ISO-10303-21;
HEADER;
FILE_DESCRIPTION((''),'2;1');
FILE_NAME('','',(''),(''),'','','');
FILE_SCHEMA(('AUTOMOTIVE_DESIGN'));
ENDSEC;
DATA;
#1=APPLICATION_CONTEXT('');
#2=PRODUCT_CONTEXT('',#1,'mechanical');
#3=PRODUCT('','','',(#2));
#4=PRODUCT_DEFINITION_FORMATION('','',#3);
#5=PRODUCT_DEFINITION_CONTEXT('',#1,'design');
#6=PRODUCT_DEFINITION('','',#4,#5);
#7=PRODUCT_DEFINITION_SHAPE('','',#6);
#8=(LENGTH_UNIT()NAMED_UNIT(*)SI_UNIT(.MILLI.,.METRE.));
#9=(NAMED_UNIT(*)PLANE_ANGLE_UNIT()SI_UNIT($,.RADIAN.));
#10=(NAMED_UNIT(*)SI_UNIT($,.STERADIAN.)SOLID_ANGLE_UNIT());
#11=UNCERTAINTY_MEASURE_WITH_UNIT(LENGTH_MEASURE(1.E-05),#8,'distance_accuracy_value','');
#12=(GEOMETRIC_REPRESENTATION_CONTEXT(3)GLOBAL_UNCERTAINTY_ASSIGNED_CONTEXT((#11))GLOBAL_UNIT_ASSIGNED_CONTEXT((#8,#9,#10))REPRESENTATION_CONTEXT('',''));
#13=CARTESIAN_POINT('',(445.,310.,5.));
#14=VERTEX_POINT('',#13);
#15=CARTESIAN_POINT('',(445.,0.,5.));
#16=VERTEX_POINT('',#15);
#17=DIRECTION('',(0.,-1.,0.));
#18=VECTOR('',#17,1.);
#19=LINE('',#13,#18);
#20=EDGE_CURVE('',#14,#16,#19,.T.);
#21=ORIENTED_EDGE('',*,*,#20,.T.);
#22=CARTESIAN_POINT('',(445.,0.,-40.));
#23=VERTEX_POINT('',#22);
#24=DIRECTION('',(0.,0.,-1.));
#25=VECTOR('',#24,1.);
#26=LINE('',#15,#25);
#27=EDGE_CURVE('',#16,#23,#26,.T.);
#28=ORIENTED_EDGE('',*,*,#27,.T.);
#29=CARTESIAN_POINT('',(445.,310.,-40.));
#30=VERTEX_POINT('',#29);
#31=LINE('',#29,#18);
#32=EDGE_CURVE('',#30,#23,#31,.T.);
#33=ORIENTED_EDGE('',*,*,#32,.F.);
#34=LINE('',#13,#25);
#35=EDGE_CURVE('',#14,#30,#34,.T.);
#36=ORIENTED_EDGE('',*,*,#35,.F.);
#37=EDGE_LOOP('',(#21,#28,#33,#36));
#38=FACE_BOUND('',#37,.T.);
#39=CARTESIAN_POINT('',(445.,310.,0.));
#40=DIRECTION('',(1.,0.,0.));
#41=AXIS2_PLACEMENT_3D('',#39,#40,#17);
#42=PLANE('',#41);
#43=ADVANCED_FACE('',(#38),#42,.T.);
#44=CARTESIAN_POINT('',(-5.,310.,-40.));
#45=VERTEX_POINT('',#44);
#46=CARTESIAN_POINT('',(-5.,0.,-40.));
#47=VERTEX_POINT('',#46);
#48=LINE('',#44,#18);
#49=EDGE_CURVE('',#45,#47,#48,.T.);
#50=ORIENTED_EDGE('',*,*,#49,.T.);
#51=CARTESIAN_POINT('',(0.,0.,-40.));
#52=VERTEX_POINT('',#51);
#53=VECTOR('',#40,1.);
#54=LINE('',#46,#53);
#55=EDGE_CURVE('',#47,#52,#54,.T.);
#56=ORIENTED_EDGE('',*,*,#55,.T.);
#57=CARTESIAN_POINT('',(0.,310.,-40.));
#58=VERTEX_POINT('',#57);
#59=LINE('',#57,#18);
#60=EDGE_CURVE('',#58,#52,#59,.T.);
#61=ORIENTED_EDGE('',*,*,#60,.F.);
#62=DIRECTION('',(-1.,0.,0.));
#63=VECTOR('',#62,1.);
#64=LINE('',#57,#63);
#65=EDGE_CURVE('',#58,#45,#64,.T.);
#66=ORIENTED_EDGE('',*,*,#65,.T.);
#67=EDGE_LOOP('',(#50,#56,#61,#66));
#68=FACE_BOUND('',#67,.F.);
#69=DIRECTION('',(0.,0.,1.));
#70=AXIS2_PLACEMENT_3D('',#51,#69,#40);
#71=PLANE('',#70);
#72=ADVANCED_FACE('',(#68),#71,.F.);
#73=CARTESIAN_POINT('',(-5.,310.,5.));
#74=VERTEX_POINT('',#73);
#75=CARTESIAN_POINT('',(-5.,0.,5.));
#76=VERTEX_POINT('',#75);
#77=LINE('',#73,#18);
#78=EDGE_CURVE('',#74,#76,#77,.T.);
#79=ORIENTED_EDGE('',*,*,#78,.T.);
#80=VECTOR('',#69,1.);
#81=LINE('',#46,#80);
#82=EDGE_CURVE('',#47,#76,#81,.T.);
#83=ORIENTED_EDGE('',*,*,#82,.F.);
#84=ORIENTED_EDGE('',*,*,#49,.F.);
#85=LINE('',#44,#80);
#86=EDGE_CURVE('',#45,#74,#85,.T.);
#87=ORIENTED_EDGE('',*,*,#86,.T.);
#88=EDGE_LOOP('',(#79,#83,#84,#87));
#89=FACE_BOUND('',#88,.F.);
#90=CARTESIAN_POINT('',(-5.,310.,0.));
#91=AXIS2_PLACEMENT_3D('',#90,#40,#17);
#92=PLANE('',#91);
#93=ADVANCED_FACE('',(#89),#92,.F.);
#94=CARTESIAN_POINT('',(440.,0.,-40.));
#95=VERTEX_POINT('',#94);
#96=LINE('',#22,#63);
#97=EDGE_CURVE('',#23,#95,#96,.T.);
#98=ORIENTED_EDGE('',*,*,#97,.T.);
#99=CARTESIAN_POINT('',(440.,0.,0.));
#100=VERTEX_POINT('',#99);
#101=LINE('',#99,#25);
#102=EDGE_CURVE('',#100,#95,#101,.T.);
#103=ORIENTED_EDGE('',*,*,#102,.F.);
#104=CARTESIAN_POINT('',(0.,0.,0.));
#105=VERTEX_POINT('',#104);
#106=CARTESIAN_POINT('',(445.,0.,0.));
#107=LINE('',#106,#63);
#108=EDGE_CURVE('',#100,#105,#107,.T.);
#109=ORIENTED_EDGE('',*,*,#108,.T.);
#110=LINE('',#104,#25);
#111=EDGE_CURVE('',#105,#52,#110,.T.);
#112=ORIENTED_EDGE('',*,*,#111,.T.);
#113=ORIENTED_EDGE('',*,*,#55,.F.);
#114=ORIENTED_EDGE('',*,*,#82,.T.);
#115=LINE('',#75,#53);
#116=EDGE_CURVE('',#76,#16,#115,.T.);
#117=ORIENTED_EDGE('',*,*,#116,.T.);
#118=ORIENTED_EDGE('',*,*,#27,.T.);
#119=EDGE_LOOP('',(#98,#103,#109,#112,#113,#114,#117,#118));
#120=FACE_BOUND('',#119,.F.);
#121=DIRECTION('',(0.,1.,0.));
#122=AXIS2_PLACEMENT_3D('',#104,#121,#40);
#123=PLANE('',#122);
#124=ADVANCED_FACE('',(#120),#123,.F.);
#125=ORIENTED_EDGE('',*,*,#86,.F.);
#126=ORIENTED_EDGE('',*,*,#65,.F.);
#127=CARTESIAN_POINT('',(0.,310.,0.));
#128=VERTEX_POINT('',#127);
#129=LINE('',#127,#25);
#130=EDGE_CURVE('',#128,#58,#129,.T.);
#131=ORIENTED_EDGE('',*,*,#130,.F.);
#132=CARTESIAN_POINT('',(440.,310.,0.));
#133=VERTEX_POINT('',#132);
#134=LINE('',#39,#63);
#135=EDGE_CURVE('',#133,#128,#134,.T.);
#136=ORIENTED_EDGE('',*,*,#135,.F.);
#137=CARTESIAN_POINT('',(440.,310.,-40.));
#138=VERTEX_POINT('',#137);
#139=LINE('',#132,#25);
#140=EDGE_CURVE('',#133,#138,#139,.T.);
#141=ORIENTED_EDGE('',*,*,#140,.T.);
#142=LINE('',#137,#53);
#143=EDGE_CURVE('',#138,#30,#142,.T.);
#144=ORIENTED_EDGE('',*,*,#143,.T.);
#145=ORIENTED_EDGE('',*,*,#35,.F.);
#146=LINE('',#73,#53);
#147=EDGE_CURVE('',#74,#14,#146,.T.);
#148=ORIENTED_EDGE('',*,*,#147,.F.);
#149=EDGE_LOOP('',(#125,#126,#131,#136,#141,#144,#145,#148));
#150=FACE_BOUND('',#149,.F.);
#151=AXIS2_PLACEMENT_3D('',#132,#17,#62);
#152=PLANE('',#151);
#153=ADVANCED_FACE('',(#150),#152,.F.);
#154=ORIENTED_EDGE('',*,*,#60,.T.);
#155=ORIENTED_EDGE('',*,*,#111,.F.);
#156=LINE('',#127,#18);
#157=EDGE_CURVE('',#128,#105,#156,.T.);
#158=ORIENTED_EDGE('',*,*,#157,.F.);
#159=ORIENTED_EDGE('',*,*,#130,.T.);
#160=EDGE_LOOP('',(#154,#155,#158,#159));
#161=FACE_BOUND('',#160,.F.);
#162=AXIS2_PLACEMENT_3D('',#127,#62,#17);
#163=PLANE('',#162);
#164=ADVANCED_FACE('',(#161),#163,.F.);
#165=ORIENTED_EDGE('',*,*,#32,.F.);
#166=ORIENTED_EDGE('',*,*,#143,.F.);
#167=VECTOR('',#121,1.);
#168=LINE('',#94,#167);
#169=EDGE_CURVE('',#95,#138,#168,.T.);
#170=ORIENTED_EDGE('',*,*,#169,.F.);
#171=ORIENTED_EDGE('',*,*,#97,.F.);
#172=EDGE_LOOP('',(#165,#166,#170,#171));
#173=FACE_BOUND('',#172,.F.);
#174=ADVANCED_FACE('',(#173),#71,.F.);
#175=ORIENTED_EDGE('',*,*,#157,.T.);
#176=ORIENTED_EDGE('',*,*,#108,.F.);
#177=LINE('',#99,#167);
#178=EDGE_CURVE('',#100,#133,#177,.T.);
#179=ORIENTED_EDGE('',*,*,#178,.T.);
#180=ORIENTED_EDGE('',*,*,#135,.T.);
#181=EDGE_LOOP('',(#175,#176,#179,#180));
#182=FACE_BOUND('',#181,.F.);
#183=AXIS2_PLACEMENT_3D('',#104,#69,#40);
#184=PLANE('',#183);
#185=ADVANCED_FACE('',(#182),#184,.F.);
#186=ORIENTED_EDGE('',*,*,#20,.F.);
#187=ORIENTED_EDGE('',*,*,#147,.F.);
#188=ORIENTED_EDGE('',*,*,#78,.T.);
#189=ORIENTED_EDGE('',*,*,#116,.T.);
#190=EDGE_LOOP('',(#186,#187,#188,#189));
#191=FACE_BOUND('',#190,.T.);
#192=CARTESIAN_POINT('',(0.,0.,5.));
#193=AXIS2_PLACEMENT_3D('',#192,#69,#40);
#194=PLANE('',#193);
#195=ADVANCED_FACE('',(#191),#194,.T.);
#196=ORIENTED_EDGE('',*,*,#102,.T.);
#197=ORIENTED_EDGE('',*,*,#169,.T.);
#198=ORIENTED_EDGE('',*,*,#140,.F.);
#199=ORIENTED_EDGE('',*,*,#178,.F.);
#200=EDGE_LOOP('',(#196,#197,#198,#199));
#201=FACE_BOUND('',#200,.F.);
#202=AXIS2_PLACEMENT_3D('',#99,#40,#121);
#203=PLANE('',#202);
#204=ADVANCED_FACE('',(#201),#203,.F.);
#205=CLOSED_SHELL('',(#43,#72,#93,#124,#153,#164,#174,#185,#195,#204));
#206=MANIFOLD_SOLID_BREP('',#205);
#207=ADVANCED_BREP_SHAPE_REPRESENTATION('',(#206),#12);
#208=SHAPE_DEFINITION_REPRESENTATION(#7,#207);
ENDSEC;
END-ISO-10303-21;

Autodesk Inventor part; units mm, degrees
ref_plane "YZ Plane" through (0, 0, 0) normal (1, 0, 0) x (0, 1, 0)
ref_plane "XZ Plane" through (0, 0, 0) normal (0, 1, 0) x (-1, 0, 0)
ref_plane "XY Plane" through (0, 0, 0) normal (0, 0, 1) x (1, 0, 0)
sketch "Esboço1" plane through (0, 0, 0) normal (0, 0, 1) x (1, 0, 0)
  line L0 (0, 0) -> (440, 0)
  line L1 (440, 0) -> (440, 310)
  line L2 (440, 310) -> (0, 310)
  line L3 (0, 310) -> (0, 0)
  line L4 (440, 310) -> (445, 310)
  line L5 (445, 310) -> (445, 0)
  line L6 (445, 0) -> (440, 0)
  line L7 (0, 310) -> (-5, 310)
  line L8 (-5, 310) -> (-5, 0)
  line L9 (-5, 0) -> (0, 0)
  dimension "d0" = 440
  dimension "d1" = 310
  dimension "d2" = 5
  dimension "d3" = 5
extrude "Extrusão1" add sketch "Esboço1" along normal blind 5
extrude "Extrusão2" add sketch "Esboço1" against normal blind 40 contours L9 L8 L7 L3 | L1 L4 L5 L6
properties part number "TesteProteção"
